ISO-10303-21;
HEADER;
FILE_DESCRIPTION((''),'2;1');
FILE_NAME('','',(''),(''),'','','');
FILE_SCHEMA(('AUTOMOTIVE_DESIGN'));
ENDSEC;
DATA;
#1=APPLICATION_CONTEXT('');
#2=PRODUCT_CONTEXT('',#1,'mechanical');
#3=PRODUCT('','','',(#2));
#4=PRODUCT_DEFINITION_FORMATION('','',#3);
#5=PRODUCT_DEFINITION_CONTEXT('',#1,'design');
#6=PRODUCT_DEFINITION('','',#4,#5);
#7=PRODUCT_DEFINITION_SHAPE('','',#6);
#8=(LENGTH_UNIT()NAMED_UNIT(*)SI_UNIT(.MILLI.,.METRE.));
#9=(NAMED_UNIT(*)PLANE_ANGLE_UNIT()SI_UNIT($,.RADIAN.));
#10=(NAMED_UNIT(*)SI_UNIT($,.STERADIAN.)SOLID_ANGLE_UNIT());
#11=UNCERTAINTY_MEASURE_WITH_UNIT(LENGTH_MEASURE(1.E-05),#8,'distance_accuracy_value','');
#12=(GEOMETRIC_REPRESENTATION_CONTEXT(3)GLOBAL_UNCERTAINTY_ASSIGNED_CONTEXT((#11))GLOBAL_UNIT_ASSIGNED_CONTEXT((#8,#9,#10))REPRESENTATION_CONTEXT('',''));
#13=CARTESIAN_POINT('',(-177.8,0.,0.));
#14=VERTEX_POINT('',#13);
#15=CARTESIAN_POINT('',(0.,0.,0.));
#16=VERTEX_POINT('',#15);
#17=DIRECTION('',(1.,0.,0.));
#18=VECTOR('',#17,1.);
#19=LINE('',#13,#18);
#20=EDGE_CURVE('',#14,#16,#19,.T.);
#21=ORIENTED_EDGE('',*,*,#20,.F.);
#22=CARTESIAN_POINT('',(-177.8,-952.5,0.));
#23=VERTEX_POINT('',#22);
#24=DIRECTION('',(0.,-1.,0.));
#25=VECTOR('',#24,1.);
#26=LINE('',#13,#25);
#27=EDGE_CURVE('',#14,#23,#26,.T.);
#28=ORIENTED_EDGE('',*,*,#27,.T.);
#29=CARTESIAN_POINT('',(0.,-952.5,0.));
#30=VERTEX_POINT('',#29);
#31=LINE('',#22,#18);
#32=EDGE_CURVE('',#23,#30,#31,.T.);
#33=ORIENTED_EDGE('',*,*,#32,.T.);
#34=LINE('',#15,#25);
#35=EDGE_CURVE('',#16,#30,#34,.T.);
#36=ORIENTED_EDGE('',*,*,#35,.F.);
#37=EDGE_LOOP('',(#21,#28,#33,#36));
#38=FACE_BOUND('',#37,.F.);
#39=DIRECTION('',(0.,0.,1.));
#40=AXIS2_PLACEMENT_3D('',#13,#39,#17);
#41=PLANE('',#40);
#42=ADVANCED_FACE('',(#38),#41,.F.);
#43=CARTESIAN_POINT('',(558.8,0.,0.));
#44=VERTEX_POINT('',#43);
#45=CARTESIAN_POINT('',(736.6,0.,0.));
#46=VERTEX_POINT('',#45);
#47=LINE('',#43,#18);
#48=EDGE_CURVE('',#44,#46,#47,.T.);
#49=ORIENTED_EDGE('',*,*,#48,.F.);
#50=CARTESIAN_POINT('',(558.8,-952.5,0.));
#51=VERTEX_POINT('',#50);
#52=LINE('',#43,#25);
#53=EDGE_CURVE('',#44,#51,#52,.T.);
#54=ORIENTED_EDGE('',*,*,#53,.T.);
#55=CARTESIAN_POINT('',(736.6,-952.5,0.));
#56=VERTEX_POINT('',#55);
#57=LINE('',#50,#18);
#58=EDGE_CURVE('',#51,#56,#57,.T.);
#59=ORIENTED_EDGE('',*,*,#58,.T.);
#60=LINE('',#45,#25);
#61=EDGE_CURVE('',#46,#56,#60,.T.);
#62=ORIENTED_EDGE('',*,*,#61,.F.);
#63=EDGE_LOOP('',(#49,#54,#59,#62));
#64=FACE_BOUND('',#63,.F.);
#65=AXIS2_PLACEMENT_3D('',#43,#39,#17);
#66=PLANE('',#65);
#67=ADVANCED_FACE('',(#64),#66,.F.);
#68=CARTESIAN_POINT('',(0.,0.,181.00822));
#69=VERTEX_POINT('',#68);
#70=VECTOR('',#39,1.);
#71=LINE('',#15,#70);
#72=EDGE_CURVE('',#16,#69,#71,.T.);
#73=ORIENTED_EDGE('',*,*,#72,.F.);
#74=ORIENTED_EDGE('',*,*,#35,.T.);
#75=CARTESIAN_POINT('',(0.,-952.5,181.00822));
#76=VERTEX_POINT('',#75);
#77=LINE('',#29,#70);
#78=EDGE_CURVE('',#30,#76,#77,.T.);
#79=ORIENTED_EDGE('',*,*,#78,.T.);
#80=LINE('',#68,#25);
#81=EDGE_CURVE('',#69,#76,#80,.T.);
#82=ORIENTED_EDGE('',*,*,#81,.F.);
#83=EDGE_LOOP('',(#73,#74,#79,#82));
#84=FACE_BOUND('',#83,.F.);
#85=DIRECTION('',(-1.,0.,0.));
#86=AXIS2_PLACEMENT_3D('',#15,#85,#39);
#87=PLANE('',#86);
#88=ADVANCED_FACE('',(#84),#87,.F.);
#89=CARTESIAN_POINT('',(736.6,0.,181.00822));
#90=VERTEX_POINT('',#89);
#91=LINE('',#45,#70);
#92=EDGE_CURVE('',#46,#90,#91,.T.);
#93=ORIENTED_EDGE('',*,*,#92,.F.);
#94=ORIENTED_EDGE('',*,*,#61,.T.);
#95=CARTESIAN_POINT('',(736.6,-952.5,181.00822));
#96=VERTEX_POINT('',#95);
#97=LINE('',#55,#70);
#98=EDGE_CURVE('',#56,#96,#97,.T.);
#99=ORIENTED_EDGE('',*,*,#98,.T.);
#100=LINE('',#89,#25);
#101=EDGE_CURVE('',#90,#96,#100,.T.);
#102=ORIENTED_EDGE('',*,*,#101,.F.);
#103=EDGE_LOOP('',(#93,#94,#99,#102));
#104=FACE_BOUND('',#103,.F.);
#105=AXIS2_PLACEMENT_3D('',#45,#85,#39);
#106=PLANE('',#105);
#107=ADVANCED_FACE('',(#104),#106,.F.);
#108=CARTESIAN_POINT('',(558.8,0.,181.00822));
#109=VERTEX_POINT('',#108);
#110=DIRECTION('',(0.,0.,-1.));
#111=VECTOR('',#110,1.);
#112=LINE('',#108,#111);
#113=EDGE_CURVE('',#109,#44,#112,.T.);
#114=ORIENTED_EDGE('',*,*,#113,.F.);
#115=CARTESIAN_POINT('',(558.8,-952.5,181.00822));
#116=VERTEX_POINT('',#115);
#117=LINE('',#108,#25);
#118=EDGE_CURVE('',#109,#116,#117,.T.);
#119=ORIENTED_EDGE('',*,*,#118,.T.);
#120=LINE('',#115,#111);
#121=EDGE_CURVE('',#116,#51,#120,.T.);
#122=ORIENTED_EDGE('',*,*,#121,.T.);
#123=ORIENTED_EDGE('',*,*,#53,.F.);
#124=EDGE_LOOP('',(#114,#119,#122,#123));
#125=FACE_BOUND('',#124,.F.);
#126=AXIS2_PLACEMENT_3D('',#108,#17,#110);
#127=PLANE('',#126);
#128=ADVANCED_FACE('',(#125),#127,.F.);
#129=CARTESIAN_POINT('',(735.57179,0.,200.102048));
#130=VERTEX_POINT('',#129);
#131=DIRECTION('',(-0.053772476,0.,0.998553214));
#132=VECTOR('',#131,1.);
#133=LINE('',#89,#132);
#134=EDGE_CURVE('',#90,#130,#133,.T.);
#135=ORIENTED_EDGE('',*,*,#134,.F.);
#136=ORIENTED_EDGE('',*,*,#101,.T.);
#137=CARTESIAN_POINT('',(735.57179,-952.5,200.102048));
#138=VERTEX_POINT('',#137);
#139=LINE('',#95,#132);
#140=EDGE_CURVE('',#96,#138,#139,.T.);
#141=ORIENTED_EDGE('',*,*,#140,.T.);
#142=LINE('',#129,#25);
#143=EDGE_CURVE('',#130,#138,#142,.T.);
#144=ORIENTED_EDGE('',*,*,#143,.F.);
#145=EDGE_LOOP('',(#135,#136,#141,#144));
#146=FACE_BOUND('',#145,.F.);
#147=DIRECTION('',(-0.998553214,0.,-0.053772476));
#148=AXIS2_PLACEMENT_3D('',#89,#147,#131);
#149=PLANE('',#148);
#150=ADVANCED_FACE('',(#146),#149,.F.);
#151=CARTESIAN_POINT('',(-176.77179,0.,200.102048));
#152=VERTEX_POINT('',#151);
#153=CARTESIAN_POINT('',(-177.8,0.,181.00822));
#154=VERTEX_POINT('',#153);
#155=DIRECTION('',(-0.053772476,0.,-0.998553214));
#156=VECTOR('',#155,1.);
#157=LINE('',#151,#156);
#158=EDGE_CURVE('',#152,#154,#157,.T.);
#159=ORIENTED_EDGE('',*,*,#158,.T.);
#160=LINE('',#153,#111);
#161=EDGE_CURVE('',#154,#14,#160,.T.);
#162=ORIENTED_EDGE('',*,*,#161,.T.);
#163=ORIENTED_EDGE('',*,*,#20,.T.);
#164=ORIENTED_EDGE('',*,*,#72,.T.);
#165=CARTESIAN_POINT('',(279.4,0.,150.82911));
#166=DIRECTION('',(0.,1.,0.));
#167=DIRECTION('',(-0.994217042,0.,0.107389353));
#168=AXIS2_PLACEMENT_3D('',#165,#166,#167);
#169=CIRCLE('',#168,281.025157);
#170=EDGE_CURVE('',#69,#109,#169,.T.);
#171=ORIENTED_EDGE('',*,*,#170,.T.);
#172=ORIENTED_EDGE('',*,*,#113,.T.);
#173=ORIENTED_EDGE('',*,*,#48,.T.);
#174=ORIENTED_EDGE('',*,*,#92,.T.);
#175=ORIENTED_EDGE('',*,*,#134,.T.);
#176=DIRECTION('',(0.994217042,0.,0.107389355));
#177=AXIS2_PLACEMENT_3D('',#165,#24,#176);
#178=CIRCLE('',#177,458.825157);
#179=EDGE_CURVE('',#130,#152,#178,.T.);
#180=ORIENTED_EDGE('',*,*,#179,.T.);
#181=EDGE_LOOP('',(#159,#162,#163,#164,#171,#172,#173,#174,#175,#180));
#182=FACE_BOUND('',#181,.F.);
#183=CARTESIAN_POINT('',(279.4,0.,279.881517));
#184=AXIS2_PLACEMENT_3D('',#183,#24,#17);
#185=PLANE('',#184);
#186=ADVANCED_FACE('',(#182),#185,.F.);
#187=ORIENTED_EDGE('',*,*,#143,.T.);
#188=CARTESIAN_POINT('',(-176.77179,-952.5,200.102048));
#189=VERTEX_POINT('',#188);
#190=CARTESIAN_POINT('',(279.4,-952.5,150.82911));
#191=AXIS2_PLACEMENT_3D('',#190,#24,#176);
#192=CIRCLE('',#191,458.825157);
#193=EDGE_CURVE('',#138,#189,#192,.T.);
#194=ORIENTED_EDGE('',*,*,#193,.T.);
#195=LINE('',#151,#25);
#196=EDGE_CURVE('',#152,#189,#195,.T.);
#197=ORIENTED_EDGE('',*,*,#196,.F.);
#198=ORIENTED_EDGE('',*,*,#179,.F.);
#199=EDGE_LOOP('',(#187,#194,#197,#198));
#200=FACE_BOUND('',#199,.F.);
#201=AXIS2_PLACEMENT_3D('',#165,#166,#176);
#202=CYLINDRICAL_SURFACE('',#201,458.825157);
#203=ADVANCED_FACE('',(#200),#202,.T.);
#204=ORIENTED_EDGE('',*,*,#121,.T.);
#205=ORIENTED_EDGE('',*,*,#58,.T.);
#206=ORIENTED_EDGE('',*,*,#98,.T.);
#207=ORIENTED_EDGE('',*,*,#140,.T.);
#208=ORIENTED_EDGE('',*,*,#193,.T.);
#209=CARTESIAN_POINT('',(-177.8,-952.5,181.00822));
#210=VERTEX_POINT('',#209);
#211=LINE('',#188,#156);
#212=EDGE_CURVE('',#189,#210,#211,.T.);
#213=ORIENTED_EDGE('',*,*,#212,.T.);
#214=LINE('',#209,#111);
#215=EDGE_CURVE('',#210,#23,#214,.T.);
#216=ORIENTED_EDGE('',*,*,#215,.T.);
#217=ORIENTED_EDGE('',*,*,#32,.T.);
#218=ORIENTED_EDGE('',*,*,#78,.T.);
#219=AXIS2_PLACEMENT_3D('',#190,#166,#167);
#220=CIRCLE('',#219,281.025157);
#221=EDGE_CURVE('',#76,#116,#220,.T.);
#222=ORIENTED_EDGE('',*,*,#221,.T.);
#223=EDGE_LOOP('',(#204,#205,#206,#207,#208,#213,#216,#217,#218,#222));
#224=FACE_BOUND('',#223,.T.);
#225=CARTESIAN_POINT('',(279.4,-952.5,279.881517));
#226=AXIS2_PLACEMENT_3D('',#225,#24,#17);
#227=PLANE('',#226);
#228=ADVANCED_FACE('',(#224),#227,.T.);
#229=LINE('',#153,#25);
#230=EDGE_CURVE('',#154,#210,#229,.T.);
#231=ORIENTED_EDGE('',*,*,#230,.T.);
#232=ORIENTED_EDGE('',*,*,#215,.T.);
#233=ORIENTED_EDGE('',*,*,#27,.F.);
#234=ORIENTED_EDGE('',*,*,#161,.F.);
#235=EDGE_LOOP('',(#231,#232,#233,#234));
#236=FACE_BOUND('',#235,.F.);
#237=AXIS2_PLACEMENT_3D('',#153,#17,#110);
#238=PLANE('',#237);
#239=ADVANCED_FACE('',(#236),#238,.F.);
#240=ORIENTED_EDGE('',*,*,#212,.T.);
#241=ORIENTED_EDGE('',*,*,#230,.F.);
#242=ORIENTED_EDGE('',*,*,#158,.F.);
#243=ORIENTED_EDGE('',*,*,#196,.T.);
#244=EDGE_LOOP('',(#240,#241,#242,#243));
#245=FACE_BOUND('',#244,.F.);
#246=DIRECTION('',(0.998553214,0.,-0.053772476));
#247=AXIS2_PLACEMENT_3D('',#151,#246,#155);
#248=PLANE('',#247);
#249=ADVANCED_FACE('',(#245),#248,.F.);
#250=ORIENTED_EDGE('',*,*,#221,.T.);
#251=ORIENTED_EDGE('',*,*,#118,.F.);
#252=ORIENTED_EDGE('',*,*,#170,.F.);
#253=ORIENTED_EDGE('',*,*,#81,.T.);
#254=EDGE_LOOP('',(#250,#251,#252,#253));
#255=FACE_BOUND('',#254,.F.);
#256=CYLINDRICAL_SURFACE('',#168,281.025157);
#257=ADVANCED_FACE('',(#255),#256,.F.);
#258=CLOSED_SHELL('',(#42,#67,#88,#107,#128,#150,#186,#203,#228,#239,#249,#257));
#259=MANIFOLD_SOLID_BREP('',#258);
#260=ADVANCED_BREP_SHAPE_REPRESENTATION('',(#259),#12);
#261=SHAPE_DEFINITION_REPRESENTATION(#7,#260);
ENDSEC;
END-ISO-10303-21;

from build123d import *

# Parameters (mm, degrees)
F1_DEPTH = 952.5


with BuildPart() as f1:
    # F0 (on Front) → F1 (new body)
    with BuildSketch(Plane.XZ):
        with BuildLine():
            Line((-177.8, 0), (0, 0))
            Line((0, 0), (0, 120.65))
            Line((0, 120.65), (0, 181.00822))
            ThreePointArc((0, 181.00822), (279.4, 431.854267), (558.8, 181.00822))
            Line((558.8, 181.00822), (558.8, 120.65))
            Line((558.8, 120.65), (558.8, 0))
            Line((558.8, 0), (736.6, 0))
            Line((736.6, 0), (736.6, 120.65))
            Line((736.6, 120.65), (736.6, 181.00822))
            Line((736.6, 181.00822), (735.57179, 200.102048))
            ThreePointArc((735.57179, 200.102048), (279.4, 609.654267), (-176.77179, 200.102048))
            Line((-176.77179, 200.102048), (-177.8, 181.00822))
            Line((-177.8, 181.00822), (-177.8, 120.65))
            Line((-177.8, 120.65), (-177.8, 0))
        make_face()
    extrude(amount=F1_DEPTH)


solid = f1.part
